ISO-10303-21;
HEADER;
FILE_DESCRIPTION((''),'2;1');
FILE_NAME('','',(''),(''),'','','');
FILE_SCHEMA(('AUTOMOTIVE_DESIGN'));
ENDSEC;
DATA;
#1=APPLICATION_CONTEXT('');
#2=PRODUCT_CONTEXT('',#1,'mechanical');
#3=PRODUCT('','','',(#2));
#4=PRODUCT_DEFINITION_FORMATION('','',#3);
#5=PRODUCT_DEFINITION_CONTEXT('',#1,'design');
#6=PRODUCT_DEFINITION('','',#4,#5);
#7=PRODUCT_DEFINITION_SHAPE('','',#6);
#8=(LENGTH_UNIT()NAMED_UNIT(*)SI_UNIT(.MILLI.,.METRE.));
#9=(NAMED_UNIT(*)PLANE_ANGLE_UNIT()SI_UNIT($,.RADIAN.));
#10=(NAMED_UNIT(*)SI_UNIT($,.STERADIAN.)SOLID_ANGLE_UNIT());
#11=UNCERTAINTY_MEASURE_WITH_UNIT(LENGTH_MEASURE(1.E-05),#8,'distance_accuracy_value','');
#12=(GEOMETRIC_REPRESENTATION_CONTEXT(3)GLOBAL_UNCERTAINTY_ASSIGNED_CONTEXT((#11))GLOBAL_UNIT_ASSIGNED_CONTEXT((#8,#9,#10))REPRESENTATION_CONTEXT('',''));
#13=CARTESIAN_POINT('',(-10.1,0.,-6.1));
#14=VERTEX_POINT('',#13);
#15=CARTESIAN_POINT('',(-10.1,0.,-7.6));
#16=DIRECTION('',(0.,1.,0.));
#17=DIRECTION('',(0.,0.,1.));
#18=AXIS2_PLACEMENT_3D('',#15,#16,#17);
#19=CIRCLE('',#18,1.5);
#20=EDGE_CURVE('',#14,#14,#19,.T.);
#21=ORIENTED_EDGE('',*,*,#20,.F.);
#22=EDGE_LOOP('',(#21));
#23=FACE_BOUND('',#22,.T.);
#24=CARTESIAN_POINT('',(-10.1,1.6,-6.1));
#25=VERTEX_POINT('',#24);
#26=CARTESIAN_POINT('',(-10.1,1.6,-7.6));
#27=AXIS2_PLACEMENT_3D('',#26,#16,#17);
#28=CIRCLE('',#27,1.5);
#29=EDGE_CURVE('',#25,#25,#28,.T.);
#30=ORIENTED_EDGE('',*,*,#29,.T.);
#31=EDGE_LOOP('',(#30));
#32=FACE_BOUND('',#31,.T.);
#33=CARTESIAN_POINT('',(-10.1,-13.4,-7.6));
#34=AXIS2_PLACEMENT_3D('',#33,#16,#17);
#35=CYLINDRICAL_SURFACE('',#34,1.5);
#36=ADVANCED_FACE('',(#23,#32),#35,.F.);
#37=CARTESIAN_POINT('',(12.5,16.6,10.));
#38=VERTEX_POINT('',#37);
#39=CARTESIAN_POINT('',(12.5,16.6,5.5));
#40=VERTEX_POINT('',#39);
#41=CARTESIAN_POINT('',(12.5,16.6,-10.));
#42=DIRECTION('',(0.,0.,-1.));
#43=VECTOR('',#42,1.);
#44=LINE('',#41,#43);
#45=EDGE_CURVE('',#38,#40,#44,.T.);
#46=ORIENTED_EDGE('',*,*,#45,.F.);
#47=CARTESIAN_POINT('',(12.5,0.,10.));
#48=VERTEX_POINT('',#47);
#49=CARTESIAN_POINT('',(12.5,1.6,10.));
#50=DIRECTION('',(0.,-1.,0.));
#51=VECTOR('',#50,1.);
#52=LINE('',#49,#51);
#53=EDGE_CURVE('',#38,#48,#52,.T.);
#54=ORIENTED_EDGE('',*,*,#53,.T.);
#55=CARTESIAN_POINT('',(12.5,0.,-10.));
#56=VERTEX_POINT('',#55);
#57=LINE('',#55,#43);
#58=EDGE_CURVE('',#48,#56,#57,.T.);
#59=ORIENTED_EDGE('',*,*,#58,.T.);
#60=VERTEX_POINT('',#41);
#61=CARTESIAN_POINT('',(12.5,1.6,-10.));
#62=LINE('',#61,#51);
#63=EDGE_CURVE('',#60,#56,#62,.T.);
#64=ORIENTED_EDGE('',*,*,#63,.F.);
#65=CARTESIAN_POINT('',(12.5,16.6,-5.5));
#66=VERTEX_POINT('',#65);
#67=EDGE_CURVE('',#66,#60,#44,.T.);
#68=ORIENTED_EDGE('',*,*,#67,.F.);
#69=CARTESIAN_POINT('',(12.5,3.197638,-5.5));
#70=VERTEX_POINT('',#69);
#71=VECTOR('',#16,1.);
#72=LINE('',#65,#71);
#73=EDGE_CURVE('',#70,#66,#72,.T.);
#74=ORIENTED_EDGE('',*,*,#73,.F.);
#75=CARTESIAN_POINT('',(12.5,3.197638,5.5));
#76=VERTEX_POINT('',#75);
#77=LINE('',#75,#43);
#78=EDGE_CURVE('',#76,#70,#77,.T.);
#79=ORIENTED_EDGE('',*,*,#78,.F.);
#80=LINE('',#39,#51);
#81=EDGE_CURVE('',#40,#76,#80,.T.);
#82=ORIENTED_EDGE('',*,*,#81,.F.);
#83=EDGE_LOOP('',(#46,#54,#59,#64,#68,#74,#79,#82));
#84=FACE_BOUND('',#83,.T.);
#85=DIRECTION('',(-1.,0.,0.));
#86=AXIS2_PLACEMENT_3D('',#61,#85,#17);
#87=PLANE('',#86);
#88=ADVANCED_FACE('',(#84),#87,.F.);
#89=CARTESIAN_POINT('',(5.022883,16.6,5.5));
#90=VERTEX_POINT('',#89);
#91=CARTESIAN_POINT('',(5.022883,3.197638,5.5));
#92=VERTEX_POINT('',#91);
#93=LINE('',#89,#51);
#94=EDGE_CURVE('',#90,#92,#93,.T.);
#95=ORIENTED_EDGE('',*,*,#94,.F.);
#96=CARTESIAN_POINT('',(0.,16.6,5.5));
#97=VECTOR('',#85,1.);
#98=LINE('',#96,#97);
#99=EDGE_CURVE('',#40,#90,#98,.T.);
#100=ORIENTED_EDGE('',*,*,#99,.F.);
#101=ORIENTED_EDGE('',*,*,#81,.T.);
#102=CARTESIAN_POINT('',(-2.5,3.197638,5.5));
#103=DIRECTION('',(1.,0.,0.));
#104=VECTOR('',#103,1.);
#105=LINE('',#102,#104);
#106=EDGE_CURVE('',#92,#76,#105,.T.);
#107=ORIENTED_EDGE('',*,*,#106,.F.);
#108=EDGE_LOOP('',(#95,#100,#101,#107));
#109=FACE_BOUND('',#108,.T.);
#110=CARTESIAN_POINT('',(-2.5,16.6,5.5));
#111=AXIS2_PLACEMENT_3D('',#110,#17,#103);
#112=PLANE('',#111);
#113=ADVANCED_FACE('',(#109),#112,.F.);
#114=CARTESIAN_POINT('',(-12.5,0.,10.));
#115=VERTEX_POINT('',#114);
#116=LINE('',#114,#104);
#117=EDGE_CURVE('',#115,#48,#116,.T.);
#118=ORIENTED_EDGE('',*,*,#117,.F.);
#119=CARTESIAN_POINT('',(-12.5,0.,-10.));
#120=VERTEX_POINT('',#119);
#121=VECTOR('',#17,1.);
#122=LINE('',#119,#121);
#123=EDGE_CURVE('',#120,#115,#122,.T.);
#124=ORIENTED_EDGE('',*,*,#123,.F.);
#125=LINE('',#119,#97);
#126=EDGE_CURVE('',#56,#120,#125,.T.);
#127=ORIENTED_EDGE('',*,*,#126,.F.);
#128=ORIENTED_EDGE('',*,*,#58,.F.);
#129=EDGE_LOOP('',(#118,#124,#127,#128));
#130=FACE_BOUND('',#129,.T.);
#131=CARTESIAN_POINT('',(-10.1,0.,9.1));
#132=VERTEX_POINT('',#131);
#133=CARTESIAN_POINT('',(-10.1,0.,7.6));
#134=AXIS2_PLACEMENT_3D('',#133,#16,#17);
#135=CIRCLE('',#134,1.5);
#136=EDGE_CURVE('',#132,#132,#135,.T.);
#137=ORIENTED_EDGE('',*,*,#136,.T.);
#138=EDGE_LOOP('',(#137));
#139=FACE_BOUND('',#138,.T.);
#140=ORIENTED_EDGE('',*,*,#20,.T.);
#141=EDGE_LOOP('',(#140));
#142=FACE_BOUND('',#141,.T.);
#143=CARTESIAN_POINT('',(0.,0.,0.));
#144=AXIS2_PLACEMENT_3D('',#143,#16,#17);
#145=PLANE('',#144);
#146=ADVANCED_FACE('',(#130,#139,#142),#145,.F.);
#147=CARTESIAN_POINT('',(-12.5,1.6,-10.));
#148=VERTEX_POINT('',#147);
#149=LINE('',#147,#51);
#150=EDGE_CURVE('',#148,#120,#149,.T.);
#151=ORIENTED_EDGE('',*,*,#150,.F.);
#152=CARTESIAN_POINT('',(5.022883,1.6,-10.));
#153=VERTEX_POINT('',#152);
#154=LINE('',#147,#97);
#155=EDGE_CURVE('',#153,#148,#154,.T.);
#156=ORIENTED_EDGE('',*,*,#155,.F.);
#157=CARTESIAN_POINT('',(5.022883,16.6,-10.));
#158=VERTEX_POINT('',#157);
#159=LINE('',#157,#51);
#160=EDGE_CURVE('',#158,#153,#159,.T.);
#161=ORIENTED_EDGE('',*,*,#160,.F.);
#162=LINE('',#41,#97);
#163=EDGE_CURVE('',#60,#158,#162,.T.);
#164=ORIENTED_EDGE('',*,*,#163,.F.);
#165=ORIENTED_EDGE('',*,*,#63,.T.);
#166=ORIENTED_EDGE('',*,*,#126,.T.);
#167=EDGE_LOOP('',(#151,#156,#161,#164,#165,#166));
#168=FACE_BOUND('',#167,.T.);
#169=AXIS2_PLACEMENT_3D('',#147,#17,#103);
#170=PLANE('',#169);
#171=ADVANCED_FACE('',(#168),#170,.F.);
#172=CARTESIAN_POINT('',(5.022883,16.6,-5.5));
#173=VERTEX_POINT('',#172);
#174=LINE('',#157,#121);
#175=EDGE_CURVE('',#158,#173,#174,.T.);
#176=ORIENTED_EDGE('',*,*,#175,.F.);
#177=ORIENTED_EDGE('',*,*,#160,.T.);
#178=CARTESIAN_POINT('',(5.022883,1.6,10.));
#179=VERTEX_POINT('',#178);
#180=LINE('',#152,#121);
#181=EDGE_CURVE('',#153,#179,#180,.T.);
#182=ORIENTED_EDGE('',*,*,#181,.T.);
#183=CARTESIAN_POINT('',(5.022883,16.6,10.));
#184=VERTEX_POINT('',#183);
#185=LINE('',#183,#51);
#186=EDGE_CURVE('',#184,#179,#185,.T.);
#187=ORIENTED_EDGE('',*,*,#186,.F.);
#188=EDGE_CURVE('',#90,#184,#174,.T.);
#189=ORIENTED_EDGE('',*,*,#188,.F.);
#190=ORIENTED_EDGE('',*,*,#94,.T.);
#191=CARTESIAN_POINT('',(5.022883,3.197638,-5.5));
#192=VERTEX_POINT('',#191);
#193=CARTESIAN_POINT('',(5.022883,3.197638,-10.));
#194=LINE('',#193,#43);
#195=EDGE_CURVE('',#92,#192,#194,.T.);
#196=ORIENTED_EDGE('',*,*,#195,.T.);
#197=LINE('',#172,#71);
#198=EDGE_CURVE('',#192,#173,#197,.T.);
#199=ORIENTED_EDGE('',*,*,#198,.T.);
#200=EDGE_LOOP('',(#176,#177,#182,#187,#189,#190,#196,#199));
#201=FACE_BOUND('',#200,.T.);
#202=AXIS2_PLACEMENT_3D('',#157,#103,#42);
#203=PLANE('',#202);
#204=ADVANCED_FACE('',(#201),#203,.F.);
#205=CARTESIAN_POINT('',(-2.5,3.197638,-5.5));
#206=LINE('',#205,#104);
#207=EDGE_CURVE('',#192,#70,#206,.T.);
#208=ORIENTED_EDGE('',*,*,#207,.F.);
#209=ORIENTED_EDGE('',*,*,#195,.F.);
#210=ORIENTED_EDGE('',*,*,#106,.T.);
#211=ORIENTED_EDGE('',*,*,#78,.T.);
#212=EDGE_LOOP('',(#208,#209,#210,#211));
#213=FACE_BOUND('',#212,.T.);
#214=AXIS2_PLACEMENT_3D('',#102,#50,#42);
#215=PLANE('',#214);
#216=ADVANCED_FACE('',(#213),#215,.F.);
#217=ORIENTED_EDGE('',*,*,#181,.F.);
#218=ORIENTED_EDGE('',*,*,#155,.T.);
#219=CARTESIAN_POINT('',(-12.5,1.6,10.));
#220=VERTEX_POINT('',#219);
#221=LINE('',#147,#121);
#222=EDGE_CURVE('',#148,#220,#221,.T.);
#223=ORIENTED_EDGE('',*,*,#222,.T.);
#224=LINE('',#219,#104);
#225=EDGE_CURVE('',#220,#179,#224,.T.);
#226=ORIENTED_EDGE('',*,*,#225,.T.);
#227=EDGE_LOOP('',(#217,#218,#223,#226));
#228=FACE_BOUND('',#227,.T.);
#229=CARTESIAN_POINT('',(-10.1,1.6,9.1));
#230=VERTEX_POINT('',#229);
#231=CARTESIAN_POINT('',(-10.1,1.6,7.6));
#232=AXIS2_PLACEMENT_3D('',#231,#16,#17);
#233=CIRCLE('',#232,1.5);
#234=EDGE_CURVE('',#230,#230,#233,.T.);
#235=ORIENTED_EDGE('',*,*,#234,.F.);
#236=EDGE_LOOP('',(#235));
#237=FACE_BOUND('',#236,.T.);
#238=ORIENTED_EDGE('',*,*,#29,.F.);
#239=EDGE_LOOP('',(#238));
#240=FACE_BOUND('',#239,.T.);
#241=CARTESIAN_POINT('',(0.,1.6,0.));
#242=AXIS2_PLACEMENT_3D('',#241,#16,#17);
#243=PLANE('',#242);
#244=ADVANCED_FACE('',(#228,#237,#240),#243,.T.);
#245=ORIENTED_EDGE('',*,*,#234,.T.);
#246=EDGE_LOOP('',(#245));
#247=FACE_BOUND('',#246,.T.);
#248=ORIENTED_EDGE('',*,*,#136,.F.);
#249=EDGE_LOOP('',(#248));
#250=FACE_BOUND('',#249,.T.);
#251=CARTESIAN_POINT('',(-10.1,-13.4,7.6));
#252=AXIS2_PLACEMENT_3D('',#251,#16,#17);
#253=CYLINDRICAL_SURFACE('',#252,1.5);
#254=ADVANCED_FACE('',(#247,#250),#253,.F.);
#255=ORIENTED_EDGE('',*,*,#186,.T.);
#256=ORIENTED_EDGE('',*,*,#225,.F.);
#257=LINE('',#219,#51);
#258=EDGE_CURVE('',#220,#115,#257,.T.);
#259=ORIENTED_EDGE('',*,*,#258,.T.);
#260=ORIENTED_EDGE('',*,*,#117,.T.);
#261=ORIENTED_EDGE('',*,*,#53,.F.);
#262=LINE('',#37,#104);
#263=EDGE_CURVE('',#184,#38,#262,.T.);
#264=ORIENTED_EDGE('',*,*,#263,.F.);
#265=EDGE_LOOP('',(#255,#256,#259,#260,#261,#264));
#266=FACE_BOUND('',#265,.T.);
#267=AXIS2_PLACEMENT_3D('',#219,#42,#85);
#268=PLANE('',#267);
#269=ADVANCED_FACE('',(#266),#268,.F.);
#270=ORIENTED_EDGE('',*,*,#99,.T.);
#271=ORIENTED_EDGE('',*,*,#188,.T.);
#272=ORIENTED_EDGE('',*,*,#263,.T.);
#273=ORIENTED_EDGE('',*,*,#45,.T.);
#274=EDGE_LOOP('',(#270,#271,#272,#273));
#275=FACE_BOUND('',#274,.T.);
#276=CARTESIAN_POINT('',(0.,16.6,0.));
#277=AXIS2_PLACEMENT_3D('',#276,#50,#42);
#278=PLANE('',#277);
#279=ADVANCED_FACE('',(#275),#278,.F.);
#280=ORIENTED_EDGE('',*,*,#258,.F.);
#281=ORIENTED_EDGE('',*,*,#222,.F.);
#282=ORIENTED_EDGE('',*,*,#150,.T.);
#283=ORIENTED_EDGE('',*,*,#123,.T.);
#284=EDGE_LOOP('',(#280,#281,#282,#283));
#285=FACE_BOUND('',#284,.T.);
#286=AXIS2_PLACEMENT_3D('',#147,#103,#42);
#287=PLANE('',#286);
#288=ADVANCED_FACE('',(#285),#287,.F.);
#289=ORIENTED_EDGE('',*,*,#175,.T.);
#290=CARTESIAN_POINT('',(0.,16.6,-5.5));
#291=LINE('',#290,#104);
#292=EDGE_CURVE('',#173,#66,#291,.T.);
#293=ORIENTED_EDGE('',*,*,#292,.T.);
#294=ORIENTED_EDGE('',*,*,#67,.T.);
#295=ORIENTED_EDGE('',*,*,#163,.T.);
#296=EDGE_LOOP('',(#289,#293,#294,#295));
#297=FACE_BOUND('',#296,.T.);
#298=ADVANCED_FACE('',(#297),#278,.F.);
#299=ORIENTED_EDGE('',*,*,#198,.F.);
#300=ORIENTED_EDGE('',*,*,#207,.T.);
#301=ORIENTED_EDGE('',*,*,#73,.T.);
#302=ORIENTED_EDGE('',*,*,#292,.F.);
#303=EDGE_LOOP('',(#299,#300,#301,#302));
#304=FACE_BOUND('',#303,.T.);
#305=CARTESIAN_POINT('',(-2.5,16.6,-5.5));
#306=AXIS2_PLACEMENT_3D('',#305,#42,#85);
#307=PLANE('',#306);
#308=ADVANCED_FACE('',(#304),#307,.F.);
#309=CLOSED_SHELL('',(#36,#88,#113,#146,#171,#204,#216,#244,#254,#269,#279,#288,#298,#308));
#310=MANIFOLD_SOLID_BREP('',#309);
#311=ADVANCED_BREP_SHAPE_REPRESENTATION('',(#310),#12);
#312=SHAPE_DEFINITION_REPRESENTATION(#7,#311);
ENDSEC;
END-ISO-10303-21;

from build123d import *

# Parameters (mm, degrees)
SKETCH1_W           = 25
SKETCH1_H           = 20
BOSS_EXTRUDE1_DEPTH = 1.6
SKETCH2_W           = 7.477117313
SKETCH2_H           = 20
BOSS_EXTRUDE2_DEPTH = 15
SKETCH3_W           = 11
SKETCH3_H           = 13.40236223
CUT_EXTRUDE1_DEPTH  = 15
SKETCH4_R           = 1.5
CUT_EXTRUDE2_DEPTH  = 15


with BuildPart() as part:
    # Sketch1 → Boss-Extrude1 (new body)
    with BuildSketch(Plane(origin=(0, 0, 0), x_dir=(1, 0, 0), z_dir=(0, 1, 0))):
        Rectangle(SKETCH1_W, SKETCH1_H)
    extrude(amount=BOSS_EXTRUDE1_DEPTH)

    # Sketch2 → Boss-Extrude2 (add)
    with BuildSketch(Plane(origin=(0, 1.6, 0), x_dir=(1, 0, 0), z_dir=(0, 1, 0))):
        with Locations((8.761441343, 0)):
            Rectangle(SKETCH2_W, SKETCH2_H)
    extrude(amount=BOSS_EXTRUDE2_DEPTH)

    # Sketch3 → Cut-Extrude1 (cut)
    with BuildSketch(Plane(origin=(12.5, 0, 0), x_dir=(0, 0, -1), z_dir=(1, 0, 0))):
        with Locations((0, 9.898818885)):
            Rectangle(SKETCH3_W, SKETCH3_H)
    extrude(amount=-CUT_EXTRUDE1_DEPTH, mode=Mode.SUBTRACT)

    # Sketch4 → Cut-Extrude2 (cut)
    with BuildSketch(Plane(origin=(0, 1.6, 0), x_dir=(1, 0, 0), z_dir=(0, 1, 0))):
        with Locations((-10.1, 7.6)):
            Circle(SKETCH4_R)
        with Locations((-10.1, -7.6)):
            Circle(SKETCH4_R)
    extrude(amount=-CUT_EXTRUDE2_DEPTH, mode=Mode.SUBTRACT)


solid = part.part
